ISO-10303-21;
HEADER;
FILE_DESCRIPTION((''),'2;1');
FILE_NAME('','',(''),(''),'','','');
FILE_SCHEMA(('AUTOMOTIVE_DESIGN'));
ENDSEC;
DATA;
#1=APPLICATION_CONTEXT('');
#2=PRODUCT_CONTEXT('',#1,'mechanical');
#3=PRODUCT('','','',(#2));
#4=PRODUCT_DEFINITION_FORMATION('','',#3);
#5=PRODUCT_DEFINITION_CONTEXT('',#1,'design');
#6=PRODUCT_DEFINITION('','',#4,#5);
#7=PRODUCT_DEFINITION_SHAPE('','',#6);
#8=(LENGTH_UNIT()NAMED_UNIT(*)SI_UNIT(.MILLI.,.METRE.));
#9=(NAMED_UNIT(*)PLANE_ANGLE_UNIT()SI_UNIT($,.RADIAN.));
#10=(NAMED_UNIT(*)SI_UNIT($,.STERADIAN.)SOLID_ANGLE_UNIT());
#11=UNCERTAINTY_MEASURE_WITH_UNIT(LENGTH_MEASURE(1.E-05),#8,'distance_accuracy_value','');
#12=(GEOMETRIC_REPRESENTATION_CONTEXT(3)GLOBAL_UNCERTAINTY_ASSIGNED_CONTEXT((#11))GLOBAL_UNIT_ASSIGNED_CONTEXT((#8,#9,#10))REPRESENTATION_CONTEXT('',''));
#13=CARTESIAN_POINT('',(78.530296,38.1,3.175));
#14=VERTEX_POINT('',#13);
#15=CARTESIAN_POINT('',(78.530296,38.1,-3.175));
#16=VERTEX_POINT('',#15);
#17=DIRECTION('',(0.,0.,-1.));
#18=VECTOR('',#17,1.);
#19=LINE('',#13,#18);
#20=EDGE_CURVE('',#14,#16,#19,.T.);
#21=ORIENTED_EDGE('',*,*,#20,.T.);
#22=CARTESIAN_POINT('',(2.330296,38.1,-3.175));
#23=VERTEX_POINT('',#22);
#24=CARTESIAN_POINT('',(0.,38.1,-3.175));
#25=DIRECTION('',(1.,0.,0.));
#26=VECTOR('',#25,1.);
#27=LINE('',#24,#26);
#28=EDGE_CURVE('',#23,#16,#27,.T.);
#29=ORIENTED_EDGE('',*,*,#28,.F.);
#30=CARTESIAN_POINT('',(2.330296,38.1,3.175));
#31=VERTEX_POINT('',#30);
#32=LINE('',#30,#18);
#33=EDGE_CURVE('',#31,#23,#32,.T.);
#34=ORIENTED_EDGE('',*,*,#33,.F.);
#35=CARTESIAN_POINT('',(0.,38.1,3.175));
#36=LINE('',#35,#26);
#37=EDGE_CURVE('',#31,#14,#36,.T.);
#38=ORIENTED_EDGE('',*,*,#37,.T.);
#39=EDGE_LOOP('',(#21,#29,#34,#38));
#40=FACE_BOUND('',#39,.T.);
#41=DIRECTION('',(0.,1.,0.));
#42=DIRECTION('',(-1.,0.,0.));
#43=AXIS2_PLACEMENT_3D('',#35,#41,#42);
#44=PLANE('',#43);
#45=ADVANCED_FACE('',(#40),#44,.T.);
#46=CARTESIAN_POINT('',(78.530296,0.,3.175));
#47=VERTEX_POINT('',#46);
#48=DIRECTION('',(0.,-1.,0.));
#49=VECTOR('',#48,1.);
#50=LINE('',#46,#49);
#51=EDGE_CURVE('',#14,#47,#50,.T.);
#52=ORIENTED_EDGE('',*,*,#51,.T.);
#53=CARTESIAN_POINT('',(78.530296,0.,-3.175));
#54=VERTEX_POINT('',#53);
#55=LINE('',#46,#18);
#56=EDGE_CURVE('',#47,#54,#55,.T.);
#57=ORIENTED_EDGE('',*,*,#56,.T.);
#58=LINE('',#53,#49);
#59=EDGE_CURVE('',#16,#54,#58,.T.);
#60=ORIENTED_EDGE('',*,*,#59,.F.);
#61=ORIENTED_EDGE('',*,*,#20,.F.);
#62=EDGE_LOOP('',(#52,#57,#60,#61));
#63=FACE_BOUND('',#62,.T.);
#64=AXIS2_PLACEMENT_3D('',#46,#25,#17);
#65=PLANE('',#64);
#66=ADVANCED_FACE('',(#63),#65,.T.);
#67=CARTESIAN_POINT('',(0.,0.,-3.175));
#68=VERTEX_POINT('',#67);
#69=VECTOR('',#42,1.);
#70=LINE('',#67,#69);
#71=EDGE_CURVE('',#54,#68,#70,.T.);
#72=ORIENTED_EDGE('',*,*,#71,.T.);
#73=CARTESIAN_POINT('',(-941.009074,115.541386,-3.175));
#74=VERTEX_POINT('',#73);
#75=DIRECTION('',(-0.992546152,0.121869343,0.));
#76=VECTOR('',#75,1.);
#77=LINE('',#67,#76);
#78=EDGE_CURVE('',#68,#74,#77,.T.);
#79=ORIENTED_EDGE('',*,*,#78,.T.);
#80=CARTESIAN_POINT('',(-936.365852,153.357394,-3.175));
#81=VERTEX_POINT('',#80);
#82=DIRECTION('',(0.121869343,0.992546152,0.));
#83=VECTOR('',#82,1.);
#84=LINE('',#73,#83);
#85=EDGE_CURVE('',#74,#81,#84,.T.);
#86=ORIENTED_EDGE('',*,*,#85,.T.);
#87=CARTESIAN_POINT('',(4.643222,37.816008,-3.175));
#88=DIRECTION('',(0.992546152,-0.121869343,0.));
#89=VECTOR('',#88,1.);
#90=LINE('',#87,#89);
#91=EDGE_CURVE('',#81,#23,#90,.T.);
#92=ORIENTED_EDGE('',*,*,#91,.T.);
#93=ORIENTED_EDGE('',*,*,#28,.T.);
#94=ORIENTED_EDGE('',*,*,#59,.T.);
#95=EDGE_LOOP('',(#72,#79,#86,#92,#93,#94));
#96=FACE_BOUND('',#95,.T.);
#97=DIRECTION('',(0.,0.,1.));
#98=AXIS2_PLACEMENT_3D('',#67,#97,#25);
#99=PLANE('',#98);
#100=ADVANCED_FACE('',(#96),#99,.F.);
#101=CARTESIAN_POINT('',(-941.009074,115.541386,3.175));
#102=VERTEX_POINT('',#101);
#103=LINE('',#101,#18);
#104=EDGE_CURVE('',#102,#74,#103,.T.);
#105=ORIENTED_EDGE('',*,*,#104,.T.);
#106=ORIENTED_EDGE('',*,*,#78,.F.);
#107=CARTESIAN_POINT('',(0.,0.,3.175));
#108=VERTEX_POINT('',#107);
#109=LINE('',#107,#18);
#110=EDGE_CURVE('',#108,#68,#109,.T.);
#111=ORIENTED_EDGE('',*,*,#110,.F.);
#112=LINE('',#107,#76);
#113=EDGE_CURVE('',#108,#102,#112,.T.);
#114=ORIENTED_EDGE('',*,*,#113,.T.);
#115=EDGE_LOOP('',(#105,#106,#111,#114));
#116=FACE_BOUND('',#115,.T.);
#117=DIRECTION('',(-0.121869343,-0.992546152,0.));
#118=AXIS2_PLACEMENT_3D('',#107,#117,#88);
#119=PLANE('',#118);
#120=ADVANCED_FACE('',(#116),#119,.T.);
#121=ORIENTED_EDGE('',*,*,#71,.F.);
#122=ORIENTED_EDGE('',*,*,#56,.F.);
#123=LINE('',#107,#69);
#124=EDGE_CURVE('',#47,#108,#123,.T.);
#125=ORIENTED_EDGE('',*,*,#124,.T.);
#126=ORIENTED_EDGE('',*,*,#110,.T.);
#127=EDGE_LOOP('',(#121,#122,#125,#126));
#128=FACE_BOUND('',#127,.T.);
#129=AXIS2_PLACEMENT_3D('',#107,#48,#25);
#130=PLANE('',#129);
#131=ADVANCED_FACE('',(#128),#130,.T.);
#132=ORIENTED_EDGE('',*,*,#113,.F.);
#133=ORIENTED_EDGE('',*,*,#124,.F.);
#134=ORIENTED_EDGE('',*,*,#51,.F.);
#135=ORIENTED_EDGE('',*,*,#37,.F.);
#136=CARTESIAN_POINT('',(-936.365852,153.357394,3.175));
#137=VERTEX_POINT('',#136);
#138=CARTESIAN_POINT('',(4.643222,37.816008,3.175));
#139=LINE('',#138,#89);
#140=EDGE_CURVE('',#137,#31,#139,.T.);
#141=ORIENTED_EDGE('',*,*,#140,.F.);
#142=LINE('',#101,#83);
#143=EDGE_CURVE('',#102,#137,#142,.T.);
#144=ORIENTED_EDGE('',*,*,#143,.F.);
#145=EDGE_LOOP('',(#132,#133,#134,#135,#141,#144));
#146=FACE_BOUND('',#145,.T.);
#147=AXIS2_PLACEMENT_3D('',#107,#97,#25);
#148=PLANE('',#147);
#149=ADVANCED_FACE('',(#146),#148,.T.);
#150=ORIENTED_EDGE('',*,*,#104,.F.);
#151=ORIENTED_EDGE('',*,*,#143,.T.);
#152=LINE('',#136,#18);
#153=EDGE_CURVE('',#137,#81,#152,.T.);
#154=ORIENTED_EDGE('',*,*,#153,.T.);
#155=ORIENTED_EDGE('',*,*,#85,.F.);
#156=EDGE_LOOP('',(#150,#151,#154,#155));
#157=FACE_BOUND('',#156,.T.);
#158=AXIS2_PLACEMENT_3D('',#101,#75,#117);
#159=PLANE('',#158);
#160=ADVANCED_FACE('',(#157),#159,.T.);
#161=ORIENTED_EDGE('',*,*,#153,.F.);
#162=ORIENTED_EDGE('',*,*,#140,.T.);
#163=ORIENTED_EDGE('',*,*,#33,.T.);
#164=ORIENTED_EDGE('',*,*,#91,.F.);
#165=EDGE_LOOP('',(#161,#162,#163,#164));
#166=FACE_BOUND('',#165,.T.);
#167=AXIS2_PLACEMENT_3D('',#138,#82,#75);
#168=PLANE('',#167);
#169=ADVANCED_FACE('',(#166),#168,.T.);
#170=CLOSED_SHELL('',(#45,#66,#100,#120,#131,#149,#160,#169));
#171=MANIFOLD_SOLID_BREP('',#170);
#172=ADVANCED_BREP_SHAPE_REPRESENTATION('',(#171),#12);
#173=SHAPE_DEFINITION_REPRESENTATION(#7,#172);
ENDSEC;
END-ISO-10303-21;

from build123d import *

# Parameters (mm, degrees)
BOSS_EXTRUDE1_DEPTH = 3.175


with BuildPart() as part:
    # Sketch1 → Boss-Extrude1 (new body, symmetric)
    with BuildSketch(Plane.XY):
        Polygon((0, 0), (-941.009074043, 115.541385962), (-936.365852059, 153.35739434), (2.330295828, 38.1), (78.530295828, 38.1), (78.530295828, 0), align=None)
    extrude(amount=BOSS_EXTRUDE1_DEPTH, both=True)


solid = part.part
